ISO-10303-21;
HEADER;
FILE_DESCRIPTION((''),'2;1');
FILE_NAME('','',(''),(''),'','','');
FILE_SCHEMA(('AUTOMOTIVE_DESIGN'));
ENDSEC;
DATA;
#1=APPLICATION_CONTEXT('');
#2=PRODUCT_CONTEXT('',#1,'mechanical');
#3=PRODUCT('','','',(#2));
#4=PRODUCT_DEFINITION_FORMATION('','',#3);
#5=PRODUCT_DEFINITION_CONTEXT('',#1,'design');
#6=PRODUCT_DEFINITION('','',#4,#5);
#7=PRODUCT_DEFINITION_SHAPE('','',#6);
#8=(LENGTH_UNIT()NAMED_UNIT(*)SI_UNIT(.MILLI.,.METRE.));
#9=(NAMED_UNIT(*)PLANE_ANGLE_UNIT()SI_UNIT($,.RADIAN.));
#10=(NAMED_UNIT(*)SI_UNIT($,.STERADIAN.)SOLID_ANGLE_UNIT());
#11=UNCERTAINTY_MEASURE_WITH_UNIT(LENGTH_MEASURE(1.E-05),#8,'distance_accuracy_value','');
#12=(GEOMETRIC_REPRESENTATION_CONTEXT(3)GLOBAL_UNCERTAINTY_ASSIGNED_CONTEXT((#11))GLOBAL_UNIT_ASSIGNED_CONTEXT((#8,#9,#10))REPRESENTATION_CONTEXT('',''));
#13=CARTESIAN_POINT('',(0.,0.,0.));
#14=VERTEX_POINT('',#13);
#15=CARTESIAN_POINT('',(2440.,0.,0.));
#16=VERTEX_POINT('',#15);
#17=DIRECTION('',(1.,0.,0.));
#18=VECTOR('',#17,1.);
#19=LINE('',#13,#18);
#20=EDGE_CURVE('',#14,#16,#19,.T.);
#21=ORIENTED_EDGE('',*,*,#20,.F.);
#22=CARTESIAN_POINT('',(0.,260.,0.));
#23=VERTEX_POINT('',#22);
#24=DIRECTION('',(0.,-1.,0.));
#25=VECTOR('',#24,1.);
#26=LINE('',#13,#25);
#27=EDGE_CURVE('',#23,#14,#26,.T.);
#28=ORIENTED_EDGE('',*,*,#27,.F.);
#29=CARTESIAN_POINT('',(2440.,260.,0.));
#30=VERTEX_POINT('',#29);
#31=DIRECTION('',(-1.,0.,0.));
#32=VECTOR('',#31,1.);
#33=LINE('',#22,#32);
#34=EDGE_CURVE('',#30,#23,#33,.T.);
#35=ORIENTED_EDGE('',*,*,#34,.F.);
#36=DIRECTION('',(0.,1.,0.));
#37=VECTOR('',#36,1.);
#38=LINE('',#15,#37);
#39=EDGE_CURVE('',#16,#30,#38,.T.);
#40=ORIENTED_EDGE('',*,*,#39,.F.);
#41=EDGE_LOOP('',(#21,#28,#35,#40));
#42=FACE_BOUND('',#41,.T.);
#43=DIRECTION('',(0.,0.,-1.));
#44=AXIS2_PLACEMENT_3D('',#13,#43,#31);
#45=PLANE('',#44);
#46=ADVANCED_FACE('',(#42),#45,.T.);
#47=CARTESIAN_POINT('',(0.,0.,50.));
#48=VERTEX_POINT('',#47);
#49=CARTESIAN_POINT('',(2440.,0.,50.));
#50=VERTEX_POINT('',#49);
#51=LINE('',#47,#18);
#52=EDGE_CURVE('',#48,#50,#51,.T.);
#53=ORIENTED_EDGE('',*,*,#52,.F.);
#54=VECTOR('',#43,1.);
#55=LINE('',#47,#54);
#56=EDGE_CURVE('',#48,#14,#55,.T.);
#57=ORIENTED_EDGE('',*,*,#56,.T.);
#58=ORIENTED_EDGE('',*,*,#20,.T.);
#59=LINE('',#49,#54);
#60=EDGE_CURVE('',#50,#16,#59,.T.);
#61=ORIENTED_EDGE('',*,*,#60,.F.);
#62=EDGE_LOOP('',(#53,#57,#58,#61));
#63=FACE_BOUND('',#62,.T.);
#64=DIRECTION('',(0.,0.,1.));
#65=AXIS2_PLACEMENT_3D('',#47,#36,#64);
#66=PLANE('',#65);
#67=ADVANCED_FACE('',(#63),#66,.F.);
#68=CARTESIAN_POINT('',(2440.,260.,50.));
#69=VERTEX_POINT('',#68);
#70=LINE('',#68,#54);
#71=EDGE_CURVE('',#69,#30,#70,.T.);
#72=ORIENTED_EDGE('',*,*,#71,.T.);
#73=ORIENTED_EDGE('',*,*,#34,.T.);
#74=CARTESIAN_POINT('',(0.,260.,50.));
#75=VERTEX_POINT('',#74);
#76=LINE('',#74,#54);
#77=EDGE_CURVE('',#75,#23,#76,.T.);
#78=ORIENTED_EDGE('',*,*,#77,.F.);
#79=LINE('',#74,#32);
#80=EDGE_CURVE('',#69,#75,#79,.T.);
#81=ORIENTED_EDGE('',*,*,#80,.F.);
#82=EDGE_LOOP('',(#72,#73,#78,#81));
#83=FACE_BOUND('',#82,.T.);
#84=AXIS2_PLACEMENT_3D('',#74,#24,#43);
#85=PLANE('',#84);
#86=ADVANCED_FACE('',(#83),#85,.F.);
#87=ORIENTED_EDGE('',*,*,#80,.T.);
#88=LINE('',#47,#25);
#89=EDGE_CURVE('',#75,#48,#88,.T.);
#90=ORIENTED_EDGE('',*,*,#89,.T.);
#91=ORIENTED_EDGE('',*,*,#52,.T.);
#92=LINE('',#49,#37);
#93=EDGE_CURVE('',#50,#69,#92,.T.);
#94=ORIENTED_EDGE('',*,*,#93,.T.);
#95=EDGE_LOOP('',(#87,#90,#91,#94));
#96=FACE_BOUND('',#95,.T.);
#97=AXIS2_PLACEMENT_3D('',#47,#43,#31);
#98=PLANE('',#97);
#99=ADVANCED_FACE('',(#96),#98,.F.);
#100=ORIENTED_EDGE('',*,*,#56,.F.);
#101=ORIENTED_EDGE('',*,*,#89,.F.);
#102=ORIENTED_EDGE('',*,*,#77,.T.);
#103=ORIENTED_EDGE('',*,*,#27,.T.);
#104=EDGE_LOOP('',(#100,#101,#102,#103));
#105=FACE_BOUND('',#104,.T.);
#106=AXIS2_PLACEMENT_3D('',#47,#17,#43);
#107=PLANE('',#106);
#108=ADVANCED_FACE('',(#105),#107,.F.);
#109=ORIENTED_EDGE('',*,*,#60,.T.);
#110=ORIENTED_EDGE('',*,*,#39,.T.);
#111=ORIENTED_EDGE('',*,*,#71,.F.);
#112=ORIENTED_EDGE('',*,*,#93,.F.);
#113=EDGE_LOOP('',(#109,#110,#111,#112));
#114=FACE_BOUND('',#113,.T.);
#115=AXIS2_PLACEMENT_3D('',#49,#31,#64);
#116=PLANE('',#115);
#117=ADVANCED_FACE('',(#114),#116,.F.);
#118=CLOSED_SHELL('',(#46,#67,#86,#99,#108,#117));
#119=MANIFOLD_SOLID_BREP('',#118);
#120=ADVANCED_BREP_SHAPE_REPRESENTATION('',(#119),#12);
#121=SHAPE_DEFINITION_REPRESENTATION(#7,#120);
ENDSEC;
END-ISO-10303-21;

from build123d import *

# Parameters (mm, degrees)
SKETCH_1_W      = 2440
SKETCH_1_H      = 260
EXTRUDE_1_DEPTH = 50


with BuildPart() as part:
    # Эскиз1 → Бобышка-Вытянуть1 (new body)
    with BuildSketch(Plane.XY):
        with Locations((1220, 130)):
            Rectangle(SKETCH_1_W, SKETCH_1_H)
    extrude(amount=EXTRUDE_1_DEPTH)


solid = part.part
